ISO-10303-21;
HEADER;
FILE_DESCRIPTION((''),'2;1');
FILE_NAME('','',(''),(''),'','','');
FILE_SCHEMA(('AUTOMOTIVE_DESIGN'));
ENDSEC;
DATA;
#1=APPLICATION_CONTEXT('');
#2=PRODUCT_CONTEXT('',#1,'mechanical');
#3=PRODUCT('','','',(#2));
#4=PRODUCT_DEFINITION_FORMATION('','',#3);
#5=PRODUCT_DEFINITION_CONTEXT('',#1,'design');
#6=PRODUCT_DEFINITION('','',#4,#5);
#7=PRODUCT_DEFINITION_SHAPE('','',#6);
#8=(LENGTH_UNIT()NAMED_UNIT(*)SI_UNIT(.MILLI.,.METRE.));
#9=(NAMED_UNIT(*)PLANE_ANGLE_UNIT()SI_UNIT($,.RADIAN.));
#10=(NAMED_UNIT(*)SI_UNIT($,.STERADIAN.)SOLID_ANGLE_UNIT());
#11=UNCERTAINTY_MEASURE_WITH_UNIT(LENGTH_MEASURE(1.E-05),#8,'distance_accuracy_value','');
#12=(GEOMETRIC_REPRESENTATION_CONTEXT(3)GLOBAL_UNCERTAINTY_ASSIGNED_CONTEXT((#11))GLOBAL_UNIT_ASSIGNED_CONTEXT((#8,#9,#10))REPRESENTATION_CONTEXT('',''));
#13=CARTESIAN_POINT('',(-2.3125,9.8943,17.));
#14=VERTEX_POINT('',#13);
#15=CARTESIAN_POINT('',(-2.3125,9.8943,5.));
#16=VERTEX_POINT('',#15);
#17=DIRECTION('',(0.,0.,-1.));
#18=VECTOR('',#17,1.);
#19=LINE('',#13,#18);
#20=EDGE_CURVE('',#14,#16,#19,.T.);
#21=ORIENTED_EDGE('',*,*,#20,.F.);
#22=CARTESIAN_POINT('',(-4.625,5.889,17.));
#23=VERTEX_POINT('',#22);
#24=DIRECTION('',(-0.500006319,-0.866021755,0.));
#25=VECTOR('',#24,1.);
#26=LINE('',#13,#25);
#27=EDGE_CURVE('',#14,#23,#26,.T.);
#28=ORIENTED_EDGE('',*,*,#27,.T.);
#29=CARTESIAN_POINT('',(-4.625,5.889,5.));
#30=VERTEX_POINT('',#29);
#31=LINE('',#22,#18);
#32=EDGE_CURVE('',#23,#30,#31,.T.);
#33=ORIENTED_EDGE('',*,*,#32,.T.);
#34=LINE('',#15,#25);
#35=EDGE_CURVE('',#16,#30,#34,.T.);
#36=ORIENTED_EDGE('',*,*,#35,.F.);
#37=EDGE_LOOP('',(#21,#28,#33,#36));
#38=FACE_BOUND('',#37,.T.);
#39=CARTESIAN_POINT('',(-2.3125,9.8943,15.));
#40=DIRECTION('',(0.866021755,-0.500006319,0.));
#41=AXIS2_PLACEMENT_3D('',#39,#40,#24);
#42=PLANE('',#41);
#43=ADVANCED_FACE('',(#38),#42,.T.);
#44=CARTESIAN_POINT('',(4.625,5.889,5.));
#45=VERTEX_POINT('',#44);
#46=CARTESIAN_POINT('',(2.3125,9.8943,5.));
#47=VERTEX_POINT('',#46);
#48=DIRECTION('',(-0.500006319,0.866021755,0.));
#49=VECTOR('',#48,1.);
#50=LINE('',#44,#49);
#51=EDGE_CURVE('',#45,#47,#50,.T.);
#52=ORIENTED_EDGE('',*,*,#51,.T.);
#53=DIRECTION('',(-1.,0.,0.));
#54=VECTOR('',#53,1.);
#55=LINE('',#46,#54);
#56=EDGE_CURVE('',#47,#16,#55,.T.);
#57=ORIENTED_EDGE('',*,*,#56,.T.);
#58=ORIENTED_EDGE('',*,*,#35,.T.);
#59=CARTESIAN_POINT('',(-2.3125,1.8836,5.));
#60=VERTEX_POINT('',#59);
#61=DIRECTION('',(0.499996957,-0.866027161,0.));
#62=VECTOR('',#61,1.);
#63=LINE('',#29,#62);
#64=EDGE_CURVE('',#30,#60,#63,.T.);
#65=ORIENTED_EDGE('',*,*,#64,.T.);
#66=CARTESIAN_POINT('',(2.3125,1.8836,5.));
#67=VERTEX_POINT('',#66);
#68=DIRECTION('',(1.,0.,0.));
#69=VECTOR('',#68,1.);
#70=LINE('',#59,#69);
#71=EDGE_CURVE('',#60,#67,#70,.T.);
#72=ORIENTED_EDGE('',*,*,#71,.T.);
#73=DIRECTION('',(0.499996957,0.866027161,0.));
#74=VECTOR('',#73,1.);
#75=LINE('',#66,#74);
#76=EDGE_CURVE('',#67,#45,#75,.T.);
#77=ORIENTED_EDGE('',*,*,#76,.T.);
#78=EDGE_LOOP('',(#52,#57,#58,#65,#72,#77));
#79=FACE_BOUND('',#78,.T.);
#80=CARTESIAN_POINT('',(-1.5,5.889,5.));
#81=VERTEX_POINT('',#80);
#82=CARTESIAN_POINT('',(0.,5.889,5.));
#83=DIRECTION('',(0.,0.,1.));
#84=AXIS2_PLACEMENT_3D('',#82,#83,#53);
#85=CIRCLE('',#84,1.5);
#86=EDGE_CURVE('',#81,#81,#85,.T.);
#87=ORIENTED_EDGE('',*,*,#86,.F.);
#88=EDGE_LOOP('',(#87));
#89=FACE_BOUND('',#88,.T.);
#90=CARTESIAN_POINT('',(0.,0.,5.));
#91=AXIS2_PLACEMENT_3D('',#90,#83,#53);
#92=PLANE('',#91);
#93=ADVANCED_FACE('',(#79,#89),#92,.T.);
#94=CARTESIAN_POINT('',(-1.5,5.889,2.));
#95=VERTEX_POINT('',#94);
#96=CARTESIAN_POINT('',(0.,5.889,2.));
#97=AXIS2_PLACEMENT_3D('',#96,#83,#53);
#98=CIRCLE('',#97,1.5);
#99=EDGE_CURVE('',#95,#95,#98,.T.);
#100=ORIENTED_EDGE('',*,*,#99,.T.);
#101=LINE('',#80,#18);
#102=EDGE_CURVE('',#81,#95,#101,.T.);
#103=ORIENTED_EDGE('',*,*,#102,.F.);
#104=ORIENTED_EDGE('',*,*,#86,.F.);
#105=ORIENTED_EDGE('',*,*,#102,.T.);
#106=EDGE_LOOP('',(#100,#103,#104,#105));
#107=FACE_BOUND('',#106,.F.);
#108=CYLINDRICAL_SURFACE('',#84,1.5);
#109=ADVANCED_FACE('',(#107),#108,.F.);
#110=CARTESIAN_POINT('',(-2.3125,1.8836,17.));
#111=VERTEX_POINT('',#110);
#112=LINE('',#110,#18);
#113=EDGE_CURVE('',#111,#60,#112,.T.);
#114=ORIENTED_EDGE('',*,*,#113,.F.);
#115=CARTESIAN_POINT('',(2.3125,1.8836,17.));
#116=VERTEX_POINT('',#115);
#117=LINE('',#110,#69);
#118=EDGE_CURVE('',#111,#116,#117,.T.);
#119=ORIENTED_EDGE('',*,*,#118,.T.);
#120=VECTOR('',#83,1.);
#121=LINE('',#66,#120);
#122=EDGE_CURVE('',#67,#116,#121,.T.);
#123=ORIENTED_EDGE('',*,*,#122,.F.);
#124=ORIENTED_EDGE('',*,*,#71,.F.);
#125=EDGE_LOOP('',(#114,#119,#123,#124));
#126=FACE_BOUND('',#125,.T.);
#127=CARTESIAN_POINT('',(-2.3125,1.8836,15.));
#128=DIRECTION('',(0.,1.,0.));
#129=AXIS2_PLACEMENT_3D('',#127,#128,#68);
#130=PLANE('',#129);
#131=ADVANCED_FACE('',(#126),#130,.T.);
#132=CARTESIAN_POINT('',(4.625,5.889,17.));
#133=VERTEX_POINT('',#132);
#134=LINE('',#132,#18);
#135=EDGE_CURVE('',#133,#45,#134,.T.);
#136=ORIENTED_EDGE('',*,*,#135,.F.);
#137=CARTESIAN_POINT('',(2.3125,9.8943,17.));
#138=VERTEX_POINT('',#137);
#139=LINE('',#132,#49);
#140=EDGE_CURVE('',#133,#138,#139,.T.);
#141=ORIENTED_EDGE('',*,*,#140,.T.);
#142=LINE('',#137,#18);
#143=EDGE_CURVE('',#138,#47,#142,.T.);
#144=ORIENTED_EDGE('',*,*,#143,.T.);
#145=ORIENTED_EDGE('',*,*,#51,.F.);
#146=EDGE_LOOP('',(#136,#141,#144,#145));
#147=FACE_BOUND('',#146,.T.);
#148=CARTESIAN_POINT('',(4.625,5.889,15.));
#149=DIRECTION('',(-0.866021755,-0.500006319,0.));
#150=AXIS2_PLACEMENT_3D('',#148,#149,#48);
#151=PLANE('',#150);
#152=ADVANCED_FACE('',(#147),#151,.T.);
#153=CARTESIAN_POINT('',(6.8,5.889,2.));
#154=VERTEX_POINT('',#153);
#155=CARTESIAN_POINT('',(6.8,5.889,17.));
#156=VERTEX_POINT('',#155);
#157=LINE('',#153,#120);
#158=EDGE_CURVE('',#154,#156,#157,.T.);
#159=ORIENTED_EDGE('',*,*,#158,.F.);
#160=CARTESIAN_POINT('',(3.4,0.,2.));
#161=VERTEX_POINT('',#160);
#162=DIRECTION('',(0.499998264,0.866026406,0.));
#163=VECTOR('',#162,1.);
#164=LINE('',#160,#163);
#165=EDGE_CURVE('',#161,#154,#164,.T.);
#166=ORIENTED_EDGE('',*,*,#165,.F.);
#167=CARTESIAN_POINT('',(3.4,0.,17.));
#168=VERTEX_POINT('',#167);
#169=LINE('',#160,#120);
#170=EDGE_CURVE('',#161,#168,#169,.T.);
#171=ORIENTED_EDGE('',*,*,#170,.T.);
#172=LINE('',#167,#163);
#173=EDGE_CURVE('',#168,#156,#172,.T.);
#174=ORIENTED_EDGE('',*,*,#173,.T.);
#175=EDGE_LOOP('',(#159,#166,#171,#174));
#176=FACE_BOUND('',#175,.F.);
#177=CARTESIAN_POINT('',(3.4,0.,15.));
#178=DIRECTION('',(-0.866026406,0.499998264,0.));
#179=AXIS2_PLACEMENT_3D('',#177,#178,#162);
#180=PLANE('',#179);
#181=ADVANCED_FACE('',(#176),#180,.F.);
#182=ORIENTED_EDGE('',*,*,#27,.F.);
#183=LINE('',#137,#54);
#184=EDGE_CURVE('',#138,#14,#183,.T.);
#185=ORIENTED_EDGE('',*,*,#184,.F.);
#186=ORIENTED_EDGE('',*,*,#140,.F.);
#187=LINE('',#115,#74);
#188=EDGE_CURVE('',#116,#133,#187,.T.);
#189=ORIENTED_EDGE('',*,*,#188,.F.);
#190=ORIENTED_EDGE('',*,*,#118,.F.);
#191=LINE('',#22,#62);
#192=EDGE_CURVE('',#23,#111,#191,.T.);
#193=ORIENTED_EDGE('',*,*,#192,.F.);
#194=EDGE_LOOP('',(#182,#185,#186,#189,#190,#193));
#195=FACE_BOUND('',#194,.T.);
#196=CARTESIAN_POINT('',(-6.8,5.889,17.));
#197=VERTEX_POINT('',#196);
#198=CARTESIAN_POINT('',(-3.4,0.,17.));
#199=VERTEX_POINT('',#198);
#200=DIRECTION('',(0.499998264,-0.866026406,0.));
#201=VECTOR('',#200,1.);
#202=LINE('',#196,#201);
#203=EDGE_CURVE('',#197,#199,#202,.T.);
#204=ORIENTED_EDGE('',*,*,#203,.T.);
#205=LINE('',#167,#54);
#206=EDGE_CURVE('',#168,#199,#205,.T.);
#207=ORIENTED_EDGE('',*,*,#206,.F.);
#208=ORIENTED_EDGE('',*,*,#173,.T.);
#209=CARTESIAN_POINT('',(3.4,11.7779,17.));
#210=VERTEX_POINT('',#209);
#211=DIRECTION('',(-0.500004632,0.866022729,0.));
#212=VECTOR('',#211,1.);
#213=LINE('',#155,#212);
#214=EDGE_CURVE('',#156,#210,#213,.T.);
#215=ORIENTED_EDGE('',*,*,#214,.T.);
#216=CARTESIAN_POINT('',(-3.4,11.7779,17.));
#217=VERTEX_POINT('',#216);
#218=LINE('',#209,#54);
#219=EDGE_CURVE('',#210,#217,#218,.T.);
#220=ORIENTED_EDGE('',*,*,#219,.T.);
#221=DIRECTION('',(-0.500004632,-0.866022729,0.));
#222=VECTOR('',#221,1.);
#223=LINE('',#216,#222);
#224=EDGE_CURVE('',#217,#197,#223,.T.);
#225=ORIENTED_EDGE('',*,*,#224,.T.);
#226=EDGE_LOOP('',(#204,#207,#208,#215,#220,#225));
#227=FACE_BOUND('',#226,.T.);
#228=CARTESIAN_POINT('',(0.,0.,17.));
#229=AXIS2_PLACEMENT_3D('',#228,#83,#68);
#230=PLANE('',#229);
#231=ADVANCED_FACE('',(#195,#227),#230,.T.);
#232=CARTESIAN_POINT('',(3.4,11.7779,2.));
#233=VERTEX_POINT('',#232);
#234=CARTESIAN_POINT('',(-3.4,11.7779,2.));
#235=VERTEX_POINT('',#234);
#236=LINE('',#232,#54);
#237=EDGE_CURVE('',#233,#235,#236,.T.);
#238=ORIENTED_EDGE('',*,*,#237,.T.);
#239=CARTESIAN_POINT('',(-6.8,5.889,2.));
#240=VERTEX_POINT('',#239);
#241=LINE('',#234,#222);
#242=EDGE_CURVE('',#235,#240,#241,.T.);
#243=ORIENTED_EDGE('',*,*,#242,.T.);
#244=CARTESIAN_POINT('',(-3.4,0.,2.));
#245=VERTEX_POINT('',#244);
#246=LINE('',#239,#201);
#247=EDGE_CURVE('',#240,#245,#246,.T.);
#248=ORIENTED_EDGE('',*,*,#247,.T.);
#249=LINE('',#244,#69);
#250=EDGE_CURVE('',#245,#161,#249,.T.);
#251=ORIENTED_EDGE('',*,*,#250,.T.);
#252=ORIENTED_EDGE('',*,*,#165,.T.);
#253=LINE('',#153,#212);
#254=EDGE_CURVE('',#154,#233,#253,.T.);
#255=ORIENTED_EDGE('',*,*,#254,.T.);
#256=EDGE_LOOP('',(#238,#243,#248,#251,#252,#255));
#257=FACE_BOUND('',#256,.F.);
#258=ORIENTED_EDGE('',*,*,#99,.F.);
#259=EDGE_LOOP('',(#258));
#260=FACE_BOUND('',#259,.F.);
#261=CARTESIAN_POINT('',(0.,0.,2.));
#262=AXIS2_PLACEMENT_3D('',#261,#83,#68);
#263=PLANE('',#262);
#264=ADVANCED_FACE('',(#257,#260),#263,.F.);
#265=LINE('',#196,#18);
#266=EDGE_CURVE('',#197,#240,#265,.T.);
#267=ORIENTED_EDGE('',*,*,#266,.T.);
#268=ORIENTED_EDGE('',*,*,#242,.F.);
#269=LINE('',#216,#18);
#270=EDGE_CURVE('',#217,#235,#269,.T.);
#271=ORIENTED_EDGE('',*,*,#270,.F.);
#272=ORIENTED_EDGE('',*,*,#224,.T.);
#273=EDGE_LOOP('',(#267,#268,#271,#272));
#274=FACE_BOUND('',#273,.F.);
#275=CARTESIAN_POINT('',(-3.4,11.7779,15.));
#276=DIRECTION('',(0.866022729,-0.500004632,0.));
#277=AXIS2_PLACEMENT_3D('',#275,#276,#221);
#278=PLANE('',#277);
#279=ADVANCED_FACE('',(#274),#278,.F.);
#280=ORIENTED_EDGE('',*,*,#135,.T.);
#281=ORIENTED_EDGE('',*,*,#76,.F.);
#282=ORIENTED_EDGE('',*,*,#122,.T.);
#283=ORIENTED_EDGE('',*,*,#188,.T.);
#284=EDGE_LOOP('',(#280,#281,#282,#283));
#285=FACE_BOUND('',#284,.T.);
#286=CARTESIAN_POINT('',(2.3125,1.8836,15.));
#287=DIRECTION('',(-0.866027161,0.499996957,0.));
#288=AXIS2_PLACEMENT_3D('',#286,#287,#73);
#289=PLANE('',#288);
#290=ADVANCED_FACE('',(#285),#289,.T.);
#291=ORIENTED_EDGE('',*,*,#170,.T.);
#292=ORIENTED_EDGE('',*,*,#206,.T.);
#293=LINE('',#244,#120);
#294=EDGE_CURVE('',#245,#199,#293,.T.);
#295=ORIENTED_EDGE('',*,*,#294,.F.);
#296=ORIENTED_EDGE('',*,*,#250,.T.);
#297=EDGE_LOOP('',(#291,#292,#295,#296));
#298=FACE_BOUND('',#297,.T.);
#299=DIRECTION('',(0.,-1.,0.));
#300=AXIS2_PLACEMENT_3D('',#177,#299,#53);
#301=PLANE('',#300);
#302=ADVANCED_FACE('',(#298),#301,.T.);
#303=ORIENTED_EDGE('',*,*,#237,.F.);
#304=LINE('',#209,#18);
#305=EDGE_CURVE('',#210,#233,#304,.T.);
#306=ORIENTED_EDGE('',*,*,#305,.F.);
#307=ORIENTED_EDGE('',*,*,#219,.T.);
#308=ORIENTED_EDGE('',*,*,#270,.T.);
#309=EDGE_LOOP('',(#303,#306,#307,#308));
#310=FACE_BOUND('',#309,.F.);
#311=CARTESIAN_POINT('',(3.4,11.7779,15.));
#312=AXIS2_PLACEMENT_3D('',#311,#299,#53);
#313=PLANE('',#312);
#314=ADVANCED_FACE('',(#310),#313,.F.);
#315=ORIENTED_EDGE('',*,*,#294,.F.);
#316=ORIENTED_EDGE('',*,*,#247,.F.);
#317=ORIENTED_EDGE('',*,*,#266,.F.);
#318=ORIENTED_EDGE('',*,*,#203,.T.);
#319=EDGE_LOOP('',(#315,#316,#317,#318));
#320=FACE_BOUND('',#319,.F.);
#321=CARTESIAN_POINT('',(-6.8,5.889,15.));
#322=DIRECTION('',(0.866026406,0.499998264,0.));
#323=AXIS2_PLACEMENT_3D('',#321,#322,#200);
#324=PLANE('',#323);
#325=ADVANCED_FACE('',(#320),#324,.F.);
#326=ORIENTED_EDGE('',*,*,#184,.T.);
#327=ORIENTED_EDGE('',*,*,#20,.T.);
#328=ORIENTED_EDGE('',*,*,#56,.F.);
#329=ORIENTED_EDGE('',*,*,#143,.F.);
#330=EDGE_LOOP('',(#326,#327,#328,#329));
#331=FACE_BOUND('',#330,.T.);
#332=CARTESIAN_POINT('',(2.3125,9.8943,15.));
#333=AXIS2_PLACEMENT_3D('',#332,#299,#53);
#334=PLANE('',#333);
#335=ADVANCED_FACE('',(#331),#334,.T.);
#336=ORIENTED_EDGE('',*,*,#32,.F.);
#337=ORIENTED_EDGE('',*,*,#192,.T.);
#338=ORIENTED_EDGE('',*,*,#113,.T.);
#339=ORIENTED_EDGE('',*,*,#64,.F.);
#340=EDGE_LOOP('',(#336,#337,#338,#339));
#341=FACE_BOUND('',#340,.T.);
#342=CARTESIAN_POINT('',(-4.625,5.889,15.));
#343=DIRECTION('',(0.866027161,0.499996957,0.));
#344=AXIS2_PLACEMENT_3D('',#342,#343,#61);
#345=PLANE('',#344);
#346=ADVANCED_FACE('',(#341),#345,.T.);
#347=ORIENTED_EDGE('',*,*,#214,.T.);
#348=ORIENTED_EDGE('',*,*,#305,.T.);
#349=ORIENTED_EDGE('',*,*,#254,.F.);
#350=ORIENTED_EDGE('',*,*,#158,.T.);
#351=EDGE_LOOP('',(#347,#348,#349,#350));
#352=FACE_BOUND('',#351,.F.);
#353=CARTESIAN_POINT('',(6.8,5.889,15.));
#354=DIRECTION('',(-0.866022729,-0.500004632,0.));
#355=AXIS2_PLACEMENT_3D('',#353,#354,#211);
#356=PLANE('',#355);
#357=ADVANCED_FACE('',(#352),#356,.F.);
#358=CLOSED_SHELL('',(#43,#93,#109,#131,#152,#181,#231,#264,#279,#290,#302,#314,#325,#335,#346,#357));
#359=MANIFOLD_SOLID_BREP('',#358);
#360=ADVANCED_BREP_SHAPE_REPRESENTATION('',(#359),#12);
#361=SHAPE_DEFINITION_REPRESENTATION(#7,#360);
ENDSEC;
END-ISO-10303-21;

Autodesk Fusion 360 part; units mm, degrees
sketch "Sketch1" plane through (0, 0, 0) normal (0, 0, 1) x (1, 0, 0)
  line L0 (0, 0) -> (3.4, 0)
  line L1 (3.4, 0) -> (6.8, 5.889)
  line L2 (6.8, 5.889) -> (3.4, 11.7779)
  line L3 (3.4, 11.7779) -> (-3.4, 11.7779)
  line L4 (-3.4, 11.7779) -> (-6.8, 5.889)
  line L5 (-6.8, 5.889) -> (-3.4, 0)
  line L6 (-3.4, 0) -> (3.4, 0)
  point P0 (0, 5.889)
  dimension "d1" = 3.4
  dimension "d2" = 6.8
extrude "Extrude1" add sketch "Sketch1" along normal blind 10
sketch "Sketch2" plane through (0, 0, 10) normal (0, 0, 1) x (-1, 0, 0)
  line L0 (3.4, 0) -> (-3.4, 0)
  line L1 (-3.4, 0) -> (-6.8, -5.889)
  line L2 (-6.8, -5.889) -> (-3.4, -11.7779)
  line L3 (-3.4, -11.7779) -> (3.4, -11.7779)
  line L4 (3.4, -11.7779) -> (6.8, -5.889)
  line L5 (6.8, -5.889) -> (3.4, 0)
  line L6 (-3.4, 0) -> (3.4, -11.7779)
  line L7 (-3.4, 0) -> (0, -5.889)
  line L8 (0, -5.889) -> (-2.05, -2.3383)
  line L9 (-2.05, -2.3383) -> (-4.1, -5.889)
  line L10 (-4.1, -5.889) -> (-2.05, -9.4397)
  line L11 (-2.05, -9.4397) -> (2.05, -9.4397)
  line L12 (2.05, -9.4397) -> (4.1, -5.889)
  line L13 (4.1, -5.889) -> (2.05, -2.3383)
  line L14 (2.05, -2.3383) -> (-2.05, -2.3383)
  line L15 (-2.05, -2.3383) -> (-2.0499, -2.3383) construction
  point P0 (0.025, -5.9323)
  point P1 (0, -5.889)
  dimension "d10" = 6.8
  dimension "d11" = 4.1
  dimension "d12" = 4.1
  dimension "d13" = 0
extrude "Extrude2" add sketch "Sketch2" along normal blind 5 contours L6 L7 L8 L12 L13 L14 | L6 L7 L8 L9 L10 L11
extrude "Extrude3" add 1 faces at (-0.6833, 0.7794, 10) along direction (0, 0, 1) blind 6
extrude "Extrude4" cut 1 faces at (0.6833, 4.7054, 15) along direction (0, 0, -1) blind 10
extrude "Extrude5" cut 1 faces at (-0.6833, 0.7794, 16) along direction (0, 0, -1) blind 1
sketch "Sketch3" plane through (0, 0, 5) normal (0, 0, 1) x (-1, 0, 0)
  line L0 (2.05, -2.3383) -> (-2.05, -2.3383)
  line L1 (-2.05, -2.3383) -> (-4.1, -5.889)
  line L2 (-4.1, -5.889) -> (-2.05, -9.4397)
  line L3 (-2.05, -9.4397) -> (2.05, -9.4397)
  line L4 (2.05, -9.4397) -> (4.1, -5.889)
  line L5 (4.1, -5.889) -> (2.05, -2.3383)
  line L6 (-2.05, -9.4397) -> (0, -5.889)
  circle A0 centre (0, -5.889) radius 1.5
  dimension "d22" = 3
extrude "Extrude6" cut sketch "Sketch3" against normal blind 5 contours A0
sketch "Sketch4" plane through (0, 0, 15) normal (0, 0, 1) x (-1, 0, 0)
  line L0 (2.05, -2.3383) -> (4.1, -5.889)
  line L1 (4.1, -5.889) -> (2.05, -9.4397)
  line L2 (2.05, -9.4397) -> (-2.05, -9.4397)
  line L3 (-2.05, -9.4397) -> (-4.1, -5.889)
  line L4 (-4.1, -5.889) -> (-2.05, -2.3383)
  line L5 (-2.05, -2.3383) -> (2.05, -2.3383)
  line L6 (3.4, 0) -> (-3.4, 0)
  line L7 (-3.4, 0) -> (-6.8, -5.889)
  line L8 (-6.8, -5.889) -> (-3.4, -11.7779)
  line L9 (-3.4, -11.7779) -> (3.4, -11.7779)
  line L10 (3.4, -11.7779) -> (6.8, -5.889)
  line L11 (6.8, -5.889) -> (3.4, 0)
  line L12 (-2.05, -2.3383) -> (2.05, -9.4397)
  line L13 (2.05, -9.4397) -> (0, -5.889)
  line L14 (-2.05, -2.3383) -> (0, -5.889)
  line L15 (0, -5.889) -> (-2.3125, -1.8836)
  line L16 (-2.3125, -1.8836) -> (-4.625, -5.889)
  line L17 (-4.625, -5.889) -> (-2.3125, -9.8943)
  line L18 (-2.3125, -9.8943) -> (2.3125, -9.8943)
  line L19 (2.3125, -9.8943) -> (4.625, -5.889)
  line L20 (4.625, -5.889) -> (2.3125, -1.8836)
  line L21 (2.3125, -1.8836) -> (-2.3125, -1.8836)
  point P0 (0, -5.889)
  dimension "d25" = 4.625
  dimension "d26" = 4.625
extrude "Extrude7" cut sketch "Sketch4" against normal blind 10 contours L16 L17 L18 L19 L20 L21
extrude "Extrude8" cut 1 faces at (0.0374, 1.4644, 0) along direction (0, 0, 1) blind 2
extrude "Extrude9" add 1 faces at (0.7708, 0.6279, 15) along direction (0, 0, 1) blind 2
